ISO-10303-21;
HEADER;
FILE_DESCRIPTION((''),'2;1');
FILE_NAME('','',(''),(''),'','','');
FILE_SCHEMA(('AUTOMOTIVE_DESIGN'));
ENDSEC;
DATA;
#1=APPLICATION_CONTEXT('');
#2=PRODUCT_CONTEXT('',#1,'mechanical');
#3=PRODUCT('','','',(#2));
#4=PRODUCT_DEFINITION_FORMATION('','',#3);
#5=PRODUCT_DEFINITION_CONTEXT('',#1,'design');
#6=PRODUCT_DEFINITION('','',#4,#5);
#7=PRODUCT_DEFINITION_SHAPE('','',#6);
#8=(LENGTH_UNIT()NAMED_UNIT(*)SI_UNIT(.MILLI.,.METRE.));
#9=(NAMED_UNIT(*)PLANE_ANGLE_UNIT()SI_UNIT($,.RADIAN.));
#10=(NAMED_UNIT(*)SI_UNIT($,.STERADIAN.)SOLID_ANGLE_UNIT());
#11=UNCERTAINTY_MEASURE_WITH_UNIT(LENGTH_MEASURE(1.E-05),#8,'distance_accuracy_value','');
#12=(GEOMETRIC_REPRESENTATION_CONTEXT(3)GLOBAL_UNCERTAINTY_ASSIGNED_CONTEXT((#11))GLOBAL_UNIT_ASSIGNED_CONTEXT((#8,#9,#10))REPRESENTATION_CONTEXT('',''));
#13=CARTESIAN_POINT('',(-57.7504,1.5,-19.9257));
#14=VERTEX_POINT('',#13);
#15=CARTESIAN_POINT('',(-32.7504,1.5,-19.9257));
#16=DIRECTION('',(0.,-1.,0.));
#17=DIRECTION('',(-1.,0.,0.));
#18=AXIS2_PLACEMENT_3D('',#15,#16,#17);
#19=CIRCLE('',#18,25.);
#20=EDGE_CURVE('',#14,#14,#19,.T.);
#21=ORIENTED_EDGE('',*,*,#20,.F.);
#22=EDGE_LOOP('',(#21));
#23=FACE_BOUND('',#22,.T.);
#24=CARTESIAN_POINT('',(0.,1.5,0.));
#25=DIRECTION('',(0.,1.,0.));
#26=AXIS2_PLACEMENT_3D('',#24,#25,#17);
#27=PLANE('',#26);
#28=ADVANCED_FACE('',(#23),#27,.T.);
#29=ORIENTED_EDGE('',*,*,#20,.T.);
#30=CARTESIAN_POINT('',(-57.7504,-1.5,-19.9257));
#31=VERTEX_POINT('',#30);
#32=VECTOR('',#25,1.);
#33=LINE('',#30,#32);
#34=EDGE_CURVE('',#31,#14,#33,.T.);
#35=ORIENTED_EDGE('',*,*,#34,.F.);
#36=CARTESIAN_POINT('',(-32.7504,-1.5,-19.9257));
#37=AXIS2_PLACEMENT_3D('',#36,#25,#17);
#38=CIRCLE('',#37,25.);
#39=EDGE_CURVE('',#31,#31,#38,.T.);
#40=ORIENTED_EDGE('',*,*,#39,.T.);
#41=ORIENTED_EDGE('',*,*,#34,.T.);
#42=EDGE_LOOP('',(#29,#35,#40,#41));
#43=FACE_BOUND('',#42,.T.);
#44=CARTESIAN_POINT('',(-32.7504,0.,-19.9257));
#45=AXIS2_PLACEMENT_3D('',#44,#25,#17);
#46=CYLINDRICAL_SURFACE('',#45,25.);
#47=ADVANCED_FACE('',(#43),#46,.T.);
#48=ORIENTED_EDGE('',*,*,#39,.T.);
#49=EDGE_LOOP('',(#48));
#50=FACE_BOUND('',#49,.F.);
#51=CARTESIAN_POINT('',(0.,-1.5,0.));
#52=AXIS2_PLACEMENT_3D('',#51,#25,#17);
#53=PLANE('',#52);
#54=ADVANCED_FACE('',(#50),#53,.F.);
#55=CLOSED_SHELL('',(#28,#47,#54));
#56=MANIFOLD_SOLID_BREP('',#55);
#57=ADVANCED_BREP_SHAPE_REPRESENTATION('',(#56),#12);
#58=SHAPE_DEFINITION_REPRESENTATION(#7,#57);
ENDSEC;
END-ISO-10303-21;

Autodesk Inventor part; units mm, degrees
ref_plane "YZ Plane" through (0, 0, 0) normal (1, 0, 0) x (0, 1, 0)
ref_plane "XZ Plane" through (0, 0, 0) normal (0, 1, 0) x (-1, 0, 0)
ref_plane "XY Plane" through (0, 0, 0) normal (0, 0, 1) x (1, 0, 0)
sketch "Skizze1" plane through (0, 0, 0) normal (0, 1, 0) x (-1, 0, 0)
  circle A0 centre (32.7504, -19.9257) radius 25
  line L0 (32.7504, -19.9257) -> (-77.2496, -19.9257)
  line L1 (-77.2496, -19.9257) -> (-77.2496, -22.4257)
  line L2 (-77.2496, -22.4257) -> (7.8757, -22.4257)
  line L3 (7.8757, -22.4257) -> (7.8757, -19.9257)
  point P0 (0, 0)
  dimension "d4" = 50
  dimension "d9" = 110
  dimension "d10" = 2.5
extrude "Extrusion1" add sketch "Skizze1" along normal blind 1.5 and the other way blind 1.5 contours L3 L0 A0 | A0 L0 L3
properties part number "Kreisverkehrsschild_Teil_Oben"
